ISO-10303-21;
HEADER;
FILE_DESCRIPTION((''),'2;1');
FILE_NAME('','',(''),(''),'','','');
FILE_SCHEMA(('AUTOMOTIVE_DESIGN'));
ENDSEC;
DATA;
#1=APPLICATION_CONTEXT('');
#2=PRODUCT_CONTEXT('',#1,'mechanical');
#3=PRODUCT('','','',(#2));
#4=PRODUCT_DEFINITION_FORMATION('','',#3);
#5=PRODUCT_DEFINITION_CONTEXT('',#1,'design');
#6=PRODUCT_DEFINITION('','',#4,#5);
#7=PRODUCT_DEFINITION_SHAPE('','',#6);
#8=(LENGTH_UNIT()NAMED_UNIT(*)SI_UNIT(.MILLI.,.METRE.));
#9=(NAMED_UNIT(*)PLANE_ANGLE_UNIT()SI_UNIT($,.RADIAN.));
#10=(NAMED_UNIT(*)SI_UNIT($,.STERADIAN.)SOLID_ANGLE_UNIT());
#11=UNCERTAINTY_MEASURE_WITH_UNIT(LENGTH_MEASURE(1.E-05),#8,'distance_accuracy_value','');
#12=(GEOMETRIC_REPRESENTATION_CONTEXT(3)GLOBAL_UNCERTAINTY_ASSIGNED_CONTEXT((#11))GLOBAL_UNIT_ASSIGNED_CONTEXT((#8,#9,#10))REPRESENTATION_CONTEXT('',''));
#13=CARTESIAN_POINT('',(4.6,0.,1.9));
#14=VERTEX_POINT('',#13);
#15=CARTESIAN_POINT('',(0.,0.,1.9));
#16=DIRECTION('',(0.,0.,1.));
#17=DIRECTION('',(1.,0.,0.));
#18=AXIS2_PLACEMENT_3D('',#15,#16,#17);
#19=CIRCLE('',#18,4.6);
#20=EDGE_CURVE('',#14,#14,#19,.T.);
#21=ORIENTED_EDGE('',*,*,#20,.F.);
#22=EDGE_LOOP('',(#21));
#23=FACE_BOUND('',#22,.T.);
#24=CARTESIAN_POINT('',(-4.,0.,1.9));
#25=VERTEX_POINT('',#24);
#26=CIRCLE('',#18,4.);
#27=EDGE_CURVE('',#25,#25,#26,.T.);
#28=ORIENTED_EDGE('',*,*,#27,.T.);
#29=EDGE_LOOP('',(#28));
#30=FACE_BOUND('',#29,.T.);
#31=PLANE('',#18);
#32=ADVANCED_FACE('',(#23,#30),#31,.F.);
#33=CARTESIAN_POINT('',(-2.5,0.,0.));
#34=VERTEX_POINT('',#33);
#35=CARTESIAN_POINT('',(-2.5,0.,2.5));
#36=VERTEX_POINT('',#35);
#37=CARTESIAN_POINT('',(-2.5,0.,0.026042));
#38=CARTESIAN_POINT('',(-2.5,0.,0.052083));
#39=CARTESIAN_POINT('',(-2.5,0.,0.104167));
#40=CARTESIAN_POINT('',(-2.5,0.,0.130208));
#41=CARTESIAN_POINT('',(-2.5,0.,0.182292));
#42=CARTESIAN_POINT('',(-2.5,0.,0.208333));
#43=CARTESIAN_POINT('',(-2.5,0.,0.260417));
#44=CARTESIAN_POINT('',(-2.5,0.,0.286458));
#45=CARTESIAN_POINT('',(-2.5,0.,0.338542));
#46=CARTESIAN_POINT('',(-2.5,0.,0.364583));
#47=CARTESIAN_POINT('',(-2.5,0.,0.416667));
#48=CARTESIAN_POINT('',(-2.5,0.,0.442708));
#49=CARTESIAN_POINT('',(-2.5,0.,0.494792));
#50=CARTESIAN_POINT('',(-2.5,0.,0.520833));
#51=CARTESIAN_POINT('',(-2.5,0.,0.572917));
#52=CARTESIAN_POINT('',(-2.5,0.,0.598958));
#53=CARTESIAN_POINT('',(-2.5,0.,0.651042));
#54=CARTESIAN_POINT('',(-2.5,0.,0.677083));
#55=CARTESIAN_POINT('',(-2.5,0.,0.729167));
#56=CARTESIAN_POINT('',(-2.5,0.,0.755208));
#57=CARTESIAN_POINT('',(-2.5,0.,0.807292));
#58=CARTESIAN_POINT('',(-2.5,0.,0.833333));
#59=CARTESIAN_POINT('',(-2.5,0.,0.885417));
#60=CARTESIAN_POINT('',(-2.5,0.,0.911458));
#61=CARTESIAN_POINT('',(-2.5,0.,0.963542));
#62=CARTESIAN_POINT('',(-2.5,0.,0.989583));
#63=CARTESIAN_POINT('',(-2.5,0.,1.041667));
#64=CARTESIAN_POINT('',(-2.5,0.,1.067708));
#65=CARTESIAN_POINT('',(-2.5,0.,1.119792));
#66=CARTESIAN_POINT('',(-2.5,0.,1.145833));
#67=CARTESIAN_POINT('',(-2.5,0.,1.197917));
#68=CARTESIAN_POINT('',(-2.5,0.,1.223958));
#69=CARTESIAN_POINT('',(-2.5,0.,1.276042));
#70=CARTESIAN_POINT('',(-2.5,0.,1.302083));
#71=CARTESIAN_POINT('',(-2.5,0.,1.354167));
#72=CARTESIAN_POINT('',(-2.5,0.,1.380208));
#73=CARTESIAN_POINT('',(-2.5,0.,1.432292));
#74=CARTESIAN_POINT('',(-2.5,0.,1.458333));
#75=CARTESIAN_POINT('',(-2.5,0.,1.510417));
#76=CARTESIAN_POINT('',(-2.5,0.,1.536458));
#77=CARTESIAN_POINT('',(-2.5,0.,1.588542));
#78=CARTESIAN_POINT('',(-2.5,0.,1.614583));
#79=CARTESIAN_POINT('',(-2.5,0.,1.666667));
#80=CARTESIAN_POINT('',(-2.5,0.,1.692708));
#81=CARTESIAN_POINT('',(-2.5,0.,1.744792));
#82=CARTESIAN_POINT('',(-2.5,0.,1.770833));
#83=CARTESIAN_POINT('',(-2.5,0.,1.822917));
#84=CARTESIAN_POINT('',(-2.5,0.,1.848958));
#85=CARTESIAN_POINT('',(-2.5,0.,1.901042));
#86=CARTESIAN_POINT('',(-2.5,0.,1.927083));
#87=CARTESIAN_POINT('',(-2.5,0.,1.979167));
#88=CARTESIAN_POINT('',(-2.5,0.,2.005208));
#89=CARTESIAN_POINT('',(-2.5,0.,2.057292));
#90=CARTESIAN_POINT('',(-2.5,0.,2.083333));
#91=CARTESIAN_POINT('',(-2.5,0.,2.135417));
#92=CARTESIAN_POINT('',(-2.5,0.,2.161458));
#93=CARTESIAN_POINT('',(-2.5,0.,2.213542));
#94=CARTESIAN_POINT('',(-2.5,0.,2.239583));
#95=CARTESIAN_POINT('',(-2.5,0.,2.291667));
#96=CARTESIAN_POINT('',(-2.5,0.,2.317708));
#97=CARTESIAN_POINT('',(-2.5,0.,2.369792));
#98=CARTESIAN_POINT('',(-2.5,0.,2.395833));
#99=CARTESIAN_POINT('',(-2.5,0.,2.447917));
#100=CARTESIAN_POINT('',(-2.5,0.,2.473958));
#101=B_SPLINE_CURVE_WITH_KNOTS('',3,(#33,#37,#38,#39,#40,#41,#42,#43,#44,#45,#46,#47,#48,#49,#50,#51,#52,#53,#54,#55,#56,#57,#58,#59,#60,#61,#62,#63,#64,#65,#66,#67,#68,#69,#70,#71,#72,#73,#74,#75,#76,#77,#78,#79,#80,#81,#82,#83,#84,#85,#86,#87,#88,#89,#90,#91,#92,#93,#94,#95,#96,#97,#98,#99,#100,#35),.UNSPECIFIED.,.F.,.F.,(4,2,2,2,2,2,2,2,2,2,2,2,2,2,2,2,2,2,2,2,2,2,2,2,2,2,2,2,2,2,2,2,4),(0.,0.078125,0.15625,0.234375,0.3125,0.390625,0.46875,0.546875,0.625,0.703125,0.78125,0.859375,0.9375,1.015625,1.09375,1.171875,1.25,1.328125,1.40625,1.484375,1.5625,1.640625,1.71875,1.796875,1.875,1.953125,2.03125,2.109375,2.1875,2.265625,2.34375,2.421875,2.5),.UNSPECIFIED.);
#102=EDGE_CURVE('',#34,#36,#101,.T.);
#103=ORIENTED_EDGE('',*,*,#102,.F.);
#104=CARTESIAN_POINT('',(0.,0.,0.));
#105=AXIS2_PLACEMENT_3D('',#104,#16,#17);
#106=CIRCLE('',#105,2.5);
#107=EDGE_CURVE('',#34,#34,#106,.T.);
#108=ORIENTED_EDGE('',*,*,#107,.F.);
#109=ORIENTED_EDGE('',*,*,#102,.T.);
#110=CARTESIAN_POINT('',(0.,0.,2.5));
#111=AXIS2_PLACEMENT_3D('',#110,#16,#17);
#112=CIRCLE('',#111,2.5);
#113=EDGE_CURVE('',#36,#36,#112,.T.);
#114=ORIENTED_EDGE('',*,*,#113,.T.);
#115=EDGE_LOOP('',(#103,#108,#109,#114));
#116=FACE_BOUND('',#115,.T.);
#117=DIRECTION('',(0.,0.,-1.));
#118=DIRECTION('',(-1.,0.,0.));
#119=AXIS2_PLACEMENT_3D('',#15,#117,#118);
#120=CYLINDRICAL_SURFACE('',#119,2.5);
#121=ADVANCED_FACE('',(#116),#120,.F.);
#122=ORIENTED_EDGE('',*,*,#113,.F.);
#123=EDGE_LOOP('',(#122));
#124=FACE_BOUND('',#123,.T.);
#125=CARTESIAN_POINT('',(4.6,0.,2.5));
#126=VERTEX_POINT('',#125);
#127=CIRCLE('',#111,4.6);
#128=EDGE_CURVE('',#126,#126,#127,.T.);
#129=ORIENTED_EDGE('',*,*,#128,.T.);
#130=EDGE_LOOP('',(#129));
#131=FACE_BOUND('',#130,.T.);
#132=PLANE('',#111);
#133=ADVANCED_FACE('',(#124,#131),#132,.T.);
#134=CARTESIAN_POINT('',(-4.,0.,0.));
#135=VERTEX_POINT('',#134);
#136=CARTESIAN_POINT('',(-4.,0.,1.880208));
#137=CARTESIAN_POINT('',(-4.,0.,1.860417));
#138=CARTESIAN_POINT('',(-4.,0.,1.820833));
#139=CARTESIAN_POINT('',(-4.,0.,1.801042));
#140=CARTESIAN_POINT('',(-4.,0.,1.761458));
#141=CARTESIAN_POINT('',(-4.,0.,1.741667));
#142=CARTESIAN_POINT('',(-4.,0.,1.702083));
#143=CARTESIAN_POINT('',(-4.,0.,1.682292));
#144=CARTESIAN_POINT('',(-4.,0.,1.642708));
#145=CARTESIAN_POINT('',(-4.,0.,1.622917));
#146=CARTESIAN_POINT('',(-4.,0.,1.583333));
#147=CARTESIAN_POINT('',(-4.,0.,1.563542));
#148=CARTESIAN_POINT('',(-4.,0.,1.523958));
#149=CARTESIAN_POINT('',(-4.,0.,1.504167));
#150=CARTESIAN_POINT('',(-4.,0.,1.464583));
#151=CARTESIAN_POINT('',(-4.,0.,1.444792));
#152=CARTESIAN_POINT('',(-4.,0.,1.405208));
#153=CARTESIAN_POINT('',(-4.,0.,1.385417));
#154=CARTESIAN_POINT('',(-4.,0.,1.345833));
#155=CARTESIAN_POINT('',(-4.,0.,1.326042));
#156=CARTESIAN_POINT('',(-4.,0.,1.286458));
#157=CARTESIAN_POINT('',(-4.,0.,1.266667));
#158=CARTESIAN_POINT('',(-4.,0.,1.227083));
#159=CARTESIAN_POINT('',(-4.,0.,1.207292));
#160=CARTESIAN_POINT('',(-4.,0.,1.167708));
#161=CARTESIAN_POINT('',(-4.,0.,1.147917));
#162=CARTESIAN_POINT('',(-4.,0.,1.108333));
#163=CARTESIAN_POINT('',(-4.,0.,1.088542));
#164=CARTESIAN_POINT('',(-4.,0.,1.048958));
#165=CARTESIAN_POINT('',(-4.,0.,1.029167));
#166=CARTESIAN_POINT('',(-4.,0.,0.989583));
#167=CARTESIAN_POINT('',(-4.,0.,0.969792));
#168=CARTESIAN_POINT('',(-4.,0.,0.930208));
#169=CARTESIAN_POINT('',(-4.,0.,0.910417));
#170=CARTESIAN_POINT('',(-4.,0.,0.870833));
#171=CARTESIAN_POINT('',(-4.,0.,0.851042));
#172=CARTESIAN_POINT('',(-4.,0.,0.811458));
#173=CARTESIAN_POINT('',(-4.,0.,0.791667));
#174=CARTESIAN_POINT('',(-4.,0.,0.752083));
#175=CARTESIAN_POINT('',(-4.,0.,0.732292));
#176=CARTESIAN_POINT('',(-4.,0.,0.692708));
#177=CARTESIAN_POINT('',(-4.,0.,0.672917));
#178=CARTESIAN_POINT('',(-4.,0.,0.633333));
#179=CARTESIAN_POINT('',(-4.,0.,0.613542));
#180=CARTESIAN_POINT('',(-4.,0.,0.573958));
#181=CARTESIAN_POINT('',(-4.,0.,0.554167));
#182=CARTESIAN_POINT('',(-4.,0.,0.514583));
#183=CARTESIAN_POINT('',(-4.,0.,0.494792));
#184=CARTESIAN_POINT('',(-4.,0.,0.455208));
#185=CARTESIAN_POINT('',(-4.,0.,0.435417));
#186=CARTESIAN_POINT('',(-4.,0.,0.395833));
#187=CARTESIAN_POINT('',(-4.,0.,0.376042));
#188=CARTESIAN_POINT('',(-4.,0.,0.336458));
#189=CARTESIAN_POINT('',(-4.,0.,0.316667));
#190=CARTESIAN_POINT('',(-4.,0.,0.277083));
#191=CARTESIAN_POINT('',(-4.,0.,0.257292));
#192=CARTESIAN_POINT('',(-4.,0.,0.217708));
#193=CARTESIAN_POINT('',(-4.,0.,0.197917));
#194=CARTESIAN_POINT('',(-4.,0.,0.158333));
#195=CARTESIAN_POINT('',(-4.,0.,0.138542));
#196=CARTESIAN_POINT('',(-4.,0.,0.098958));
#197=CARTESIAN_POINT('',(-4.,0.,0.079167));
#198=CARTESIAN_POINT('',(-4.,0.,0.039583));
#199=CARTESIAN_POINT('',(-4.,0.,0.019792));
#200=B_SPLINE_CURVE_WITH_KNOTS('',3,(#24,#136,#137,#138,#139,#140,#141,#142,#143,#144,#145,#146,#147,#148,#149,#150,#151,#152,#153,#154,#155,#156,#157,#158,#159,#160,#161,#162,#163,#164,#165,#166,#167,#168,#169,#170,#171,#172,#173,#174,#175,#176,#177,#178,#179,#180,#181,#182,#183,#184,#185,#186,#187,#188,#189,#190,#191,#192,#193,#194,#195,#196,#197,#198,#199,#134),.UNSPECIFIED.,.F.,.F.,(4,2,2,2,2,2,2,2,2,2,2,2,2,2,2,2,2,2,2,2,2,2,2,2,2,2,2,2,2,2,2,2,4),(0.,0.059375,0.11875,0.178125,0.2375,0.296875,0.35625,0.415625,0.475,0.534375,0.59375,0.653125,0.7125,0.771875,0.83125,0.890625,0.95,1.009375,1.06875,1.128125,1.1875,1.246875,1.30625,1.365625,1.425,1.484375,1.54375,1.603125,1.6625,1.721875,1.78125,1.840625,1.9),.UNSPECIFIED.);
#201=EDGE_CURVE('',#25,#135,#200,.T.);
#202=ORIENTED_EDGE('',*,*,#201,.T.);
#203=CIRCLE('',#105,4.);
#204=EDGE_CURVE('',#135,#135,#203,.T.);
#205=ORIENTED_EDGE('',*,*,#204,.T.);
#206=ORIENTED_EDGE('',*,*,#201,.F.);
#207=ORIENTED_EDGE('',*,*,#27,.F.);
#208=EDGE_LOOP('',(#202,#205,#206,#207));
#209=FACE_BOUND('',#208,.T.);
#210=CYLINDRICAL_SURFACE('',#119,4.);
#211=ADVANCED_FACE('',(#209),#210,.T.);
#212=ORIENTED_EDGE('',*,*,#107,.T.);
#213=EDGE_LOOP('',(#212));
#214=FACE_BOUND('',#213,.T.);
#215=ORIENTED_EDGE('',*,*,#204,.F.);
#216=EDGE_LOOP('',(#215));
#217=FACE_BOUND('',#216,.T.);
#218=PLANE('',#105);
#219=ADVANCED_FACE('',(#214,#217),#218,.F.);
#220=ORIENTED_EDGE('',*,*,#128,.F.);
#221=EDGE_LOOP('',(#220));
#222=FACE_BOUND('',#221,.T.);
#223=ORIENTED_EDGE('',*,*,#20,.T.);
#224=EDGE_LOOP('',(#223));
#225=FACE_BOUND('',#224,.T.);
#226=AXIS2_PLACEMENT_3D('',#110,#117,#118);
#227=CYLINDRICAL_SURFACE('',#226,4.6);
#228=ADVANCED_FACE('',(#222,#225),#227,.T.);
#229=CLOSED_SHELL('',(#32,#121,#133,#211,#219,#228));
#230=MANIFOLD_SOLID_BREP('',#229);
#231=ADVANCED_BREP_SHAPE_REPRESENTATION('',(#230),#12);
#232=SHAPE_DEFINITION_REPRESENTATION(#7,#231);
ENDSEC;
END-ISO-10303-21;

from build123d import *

# Parameters (mm, degrees)
SKETCH_1_R      = 4
SKETCH_1_R_2    = 2.5
EXTRUDE_1_DEPTH = 1.9
SKETCH_2_R      = 4.6
SKETCH_2_R_2    = 2.5
EXTRUDE_2_DEPTH = 0.6


with BuildPart() as part:
    # 草图1 → 凸台-拉伸1 (new body)
    with BuildSketch(Plane.XY):
        with Locations(Location((0, 0, 0), (0, 0, 180))):
            Circle(SKETCH_1_R)
        with Locations(Location((0, 0, 0), (0, 0, 180))):
            Circle(SKETCH_1_R_2, mode=Mode.SUBTRACT)
    extrude(amount=EXTRUDE_1_DEPTH)

    # 草图2 → 凸台-拉伸2 (add)
    with BuildSketch(Plane.XY.offset(1.9)):
        Circle(SKETCH_2_R)
        with Locations(Location((0, 0, 0), (0, 0, 180))):
            Circle(SKETCH_2_R_2, mode=Mode.SUBTRACT)
    extrude(amount=EXTRUDE_2_DEPTH)


solid = part.part
